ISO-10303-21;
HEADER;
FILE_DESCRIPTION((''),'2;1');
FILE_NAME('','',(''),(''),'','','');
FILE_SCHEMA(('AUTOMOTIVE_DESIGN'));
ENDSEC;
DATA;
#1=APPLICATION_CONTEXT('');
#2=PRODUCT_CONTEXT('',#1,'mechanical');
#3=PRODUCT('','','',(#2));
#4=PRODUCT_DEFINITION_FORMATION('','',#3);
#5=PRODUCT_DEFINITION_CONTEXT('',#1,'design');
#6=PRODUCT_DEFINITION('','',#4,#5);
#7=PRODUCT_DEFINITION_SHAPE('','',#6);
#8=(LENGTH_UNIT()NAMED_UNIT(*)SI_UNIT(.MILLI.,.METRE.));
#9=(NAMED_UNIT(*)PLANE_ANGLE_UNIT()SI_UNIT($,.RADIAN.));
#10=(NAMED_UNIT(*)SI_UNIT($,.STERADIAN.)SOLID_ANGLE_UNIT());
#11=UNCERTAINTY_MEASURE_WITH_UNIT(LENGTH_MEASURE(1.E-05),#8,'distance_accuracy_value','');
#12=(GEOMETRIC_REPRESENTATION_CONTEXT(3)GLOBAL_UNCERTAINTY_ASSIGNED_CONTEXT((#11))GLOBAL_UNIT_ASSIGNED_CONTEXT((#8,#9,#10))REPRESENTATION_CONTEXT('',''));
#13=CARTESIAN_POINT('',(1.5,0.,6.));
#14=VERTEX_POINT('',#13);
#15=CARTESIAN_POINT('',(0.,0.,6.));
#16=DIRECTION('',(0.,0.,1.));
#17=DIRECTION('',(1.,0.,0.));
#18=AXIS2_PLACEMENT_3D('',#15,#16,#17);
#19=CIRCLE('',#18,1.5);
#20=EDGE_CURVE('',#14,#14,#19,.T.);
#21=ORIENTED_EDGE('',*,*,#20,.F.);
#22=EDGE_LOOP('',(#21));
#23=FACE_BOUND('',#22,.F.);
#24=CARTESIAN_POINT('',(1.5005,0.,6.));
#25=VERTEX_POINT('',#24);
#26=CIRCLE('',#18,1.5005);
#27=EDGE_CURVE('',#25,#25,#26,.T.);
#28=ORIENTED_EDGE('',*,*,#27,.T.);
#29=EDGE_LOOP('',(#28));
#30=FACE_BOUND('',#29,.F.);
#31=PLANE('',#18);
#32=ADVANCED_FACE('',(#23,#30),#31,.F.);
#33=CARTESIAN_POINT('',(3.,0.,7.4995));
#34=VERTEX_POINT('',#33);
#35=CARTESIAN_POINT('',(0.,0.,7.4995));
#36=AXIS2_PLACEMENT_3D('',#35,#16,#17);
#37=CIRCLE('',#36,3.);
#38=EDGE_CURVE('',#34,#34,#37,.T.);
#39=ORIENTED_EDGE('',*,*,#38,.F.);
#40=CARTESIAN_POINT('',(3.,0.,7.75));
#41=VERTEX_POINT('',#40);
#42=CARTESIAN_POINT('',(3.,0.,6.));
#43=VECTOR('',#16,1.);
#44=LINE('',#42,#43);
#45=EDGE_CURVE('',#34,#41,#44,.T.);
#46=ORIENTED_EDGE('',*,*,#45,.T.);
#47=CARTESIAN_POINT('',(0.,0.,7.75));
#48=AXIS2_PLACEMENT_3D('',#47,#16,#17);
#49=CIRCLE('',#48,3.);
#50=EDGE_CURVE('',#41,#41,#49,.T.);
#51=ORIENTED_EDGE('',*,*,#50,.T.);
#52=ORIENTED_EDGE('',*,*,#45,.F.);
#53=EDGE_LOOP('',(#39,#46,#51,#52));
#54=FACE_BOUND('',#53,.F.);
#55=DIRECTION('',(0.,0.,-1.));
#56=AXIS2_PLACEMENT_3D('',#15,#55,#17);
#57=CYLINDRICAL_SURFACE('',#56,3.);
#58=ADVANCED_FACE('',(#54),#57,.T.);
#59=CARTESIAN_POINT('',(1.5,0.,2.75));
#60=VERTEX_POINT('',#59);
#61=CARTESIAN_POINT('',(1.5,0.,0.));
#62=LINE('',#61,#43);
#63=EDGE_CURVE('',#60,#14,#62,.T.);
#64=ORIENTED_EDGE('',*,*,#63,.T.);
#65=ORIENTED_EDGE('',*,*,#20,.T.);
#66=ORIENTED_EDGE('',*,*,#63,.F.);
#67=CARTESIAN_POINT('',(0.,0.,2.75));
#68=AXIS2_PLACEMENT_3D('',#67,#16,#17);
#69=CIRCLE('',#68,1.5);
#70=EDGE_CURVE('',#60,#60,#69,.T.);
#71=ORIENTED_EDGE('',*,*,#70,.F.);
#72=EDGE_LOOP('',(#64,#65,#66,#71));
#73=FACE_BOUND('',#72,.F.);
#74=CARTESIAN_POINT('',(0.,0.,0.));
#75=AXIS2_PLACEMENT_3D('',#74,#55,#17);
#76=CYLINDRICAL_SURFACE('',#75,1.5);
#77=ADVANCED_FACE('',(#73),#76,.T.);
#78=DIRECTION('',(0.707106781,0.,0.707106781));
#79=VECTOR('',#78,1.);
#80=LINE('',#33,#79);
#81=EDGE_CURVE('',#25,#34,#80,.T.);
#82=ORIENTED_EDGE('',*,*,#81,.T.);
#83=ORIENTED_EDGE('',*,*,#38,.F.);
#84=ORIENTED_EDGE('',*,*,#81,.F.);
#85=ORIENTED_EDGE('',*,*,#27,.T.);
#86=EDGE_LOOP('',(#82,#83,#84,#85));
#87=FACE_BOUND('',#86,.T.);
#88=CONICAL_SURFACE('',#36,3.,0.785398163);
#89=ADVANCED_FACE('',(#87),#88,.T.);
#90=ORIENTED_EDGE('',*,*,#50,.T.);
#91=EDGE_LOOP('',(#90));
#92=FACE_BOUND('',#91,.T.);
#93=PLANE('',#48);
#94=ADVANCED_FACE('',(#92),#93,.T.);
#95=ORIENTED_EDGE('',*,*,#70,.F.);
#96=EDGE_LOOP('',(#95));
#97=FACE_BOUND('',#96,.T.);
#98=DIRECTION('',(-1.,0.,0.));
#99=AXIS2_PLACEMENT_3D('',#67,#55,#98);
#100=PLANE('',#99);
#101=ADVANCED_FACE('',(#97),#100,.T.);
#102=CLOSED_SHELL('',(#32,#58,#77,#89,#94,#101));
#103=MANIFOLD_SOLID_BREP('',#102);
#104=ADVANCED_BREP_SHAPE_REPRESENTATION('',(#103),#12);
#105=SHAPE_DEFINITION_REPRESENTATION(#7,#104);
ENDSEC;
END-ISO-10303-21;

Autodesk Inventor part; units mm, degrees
ref_plane "YZ Plane" through (0, 0, 0) normal (1, 0, 0) x (0, 1, 0)
ref_plane "XZ Plane" through (0, 0, 0) normal (0, 1, 0) x (-1, 0, 0)
ref_plane "XY Plane" through (0, 0, 0) normal (0, 0, 1) x (1, 0, 0)
sketch "スケッチ1" plane through (0, 0, 0) normal (0, 0, 1) x (1, 0, 0)
  circle A0 centre (0, 0) radius 1.5
  dimension "d0" = 3
extrude "押し出し1" add sketch "スケッチ1" along normal blind 6
sketch "スケッチ2" plane through (0, 0, 6) normal (0, 0, 1) x (1, 0, 0)
  circle A0 centre (0, 0) radius 1.5 projected
  circle A1 centre (0, 0) radius 3
  dimension "d3" = 6
extrude "押し出し2" add sketch "スケッチ2" along normal blind 1.75 contours A0 | A1
thread "ねじ1" size "M3x0.5" class "6g" standard "ANSI Metric M Profile" full length
chamfer "面取り1" distance 1.5 angle 45 1 edges at (-3, 0, 6)
sketch "スケッチ4" plane through (0, 0, 0) normal (0, 0, -1) x (-1, 0, 0)
  circle A0 centre (0, 0) radius 1.5 projected
extrude "押し出し4" cut sketch "スケッチ4" against normal blind 2
sketch "スケッチ5" plane through (0, 0, 2) normal (0, 0, -1) x (-1, 0, 0)
  circle A0 centre (0, 0) radius 1.5 projected
extrude "押し出し5" cut sketch "スケッチ5" against normal blind 0.75
properties part number "SB　5mm皿ネジ" material "Steel, Mild"
